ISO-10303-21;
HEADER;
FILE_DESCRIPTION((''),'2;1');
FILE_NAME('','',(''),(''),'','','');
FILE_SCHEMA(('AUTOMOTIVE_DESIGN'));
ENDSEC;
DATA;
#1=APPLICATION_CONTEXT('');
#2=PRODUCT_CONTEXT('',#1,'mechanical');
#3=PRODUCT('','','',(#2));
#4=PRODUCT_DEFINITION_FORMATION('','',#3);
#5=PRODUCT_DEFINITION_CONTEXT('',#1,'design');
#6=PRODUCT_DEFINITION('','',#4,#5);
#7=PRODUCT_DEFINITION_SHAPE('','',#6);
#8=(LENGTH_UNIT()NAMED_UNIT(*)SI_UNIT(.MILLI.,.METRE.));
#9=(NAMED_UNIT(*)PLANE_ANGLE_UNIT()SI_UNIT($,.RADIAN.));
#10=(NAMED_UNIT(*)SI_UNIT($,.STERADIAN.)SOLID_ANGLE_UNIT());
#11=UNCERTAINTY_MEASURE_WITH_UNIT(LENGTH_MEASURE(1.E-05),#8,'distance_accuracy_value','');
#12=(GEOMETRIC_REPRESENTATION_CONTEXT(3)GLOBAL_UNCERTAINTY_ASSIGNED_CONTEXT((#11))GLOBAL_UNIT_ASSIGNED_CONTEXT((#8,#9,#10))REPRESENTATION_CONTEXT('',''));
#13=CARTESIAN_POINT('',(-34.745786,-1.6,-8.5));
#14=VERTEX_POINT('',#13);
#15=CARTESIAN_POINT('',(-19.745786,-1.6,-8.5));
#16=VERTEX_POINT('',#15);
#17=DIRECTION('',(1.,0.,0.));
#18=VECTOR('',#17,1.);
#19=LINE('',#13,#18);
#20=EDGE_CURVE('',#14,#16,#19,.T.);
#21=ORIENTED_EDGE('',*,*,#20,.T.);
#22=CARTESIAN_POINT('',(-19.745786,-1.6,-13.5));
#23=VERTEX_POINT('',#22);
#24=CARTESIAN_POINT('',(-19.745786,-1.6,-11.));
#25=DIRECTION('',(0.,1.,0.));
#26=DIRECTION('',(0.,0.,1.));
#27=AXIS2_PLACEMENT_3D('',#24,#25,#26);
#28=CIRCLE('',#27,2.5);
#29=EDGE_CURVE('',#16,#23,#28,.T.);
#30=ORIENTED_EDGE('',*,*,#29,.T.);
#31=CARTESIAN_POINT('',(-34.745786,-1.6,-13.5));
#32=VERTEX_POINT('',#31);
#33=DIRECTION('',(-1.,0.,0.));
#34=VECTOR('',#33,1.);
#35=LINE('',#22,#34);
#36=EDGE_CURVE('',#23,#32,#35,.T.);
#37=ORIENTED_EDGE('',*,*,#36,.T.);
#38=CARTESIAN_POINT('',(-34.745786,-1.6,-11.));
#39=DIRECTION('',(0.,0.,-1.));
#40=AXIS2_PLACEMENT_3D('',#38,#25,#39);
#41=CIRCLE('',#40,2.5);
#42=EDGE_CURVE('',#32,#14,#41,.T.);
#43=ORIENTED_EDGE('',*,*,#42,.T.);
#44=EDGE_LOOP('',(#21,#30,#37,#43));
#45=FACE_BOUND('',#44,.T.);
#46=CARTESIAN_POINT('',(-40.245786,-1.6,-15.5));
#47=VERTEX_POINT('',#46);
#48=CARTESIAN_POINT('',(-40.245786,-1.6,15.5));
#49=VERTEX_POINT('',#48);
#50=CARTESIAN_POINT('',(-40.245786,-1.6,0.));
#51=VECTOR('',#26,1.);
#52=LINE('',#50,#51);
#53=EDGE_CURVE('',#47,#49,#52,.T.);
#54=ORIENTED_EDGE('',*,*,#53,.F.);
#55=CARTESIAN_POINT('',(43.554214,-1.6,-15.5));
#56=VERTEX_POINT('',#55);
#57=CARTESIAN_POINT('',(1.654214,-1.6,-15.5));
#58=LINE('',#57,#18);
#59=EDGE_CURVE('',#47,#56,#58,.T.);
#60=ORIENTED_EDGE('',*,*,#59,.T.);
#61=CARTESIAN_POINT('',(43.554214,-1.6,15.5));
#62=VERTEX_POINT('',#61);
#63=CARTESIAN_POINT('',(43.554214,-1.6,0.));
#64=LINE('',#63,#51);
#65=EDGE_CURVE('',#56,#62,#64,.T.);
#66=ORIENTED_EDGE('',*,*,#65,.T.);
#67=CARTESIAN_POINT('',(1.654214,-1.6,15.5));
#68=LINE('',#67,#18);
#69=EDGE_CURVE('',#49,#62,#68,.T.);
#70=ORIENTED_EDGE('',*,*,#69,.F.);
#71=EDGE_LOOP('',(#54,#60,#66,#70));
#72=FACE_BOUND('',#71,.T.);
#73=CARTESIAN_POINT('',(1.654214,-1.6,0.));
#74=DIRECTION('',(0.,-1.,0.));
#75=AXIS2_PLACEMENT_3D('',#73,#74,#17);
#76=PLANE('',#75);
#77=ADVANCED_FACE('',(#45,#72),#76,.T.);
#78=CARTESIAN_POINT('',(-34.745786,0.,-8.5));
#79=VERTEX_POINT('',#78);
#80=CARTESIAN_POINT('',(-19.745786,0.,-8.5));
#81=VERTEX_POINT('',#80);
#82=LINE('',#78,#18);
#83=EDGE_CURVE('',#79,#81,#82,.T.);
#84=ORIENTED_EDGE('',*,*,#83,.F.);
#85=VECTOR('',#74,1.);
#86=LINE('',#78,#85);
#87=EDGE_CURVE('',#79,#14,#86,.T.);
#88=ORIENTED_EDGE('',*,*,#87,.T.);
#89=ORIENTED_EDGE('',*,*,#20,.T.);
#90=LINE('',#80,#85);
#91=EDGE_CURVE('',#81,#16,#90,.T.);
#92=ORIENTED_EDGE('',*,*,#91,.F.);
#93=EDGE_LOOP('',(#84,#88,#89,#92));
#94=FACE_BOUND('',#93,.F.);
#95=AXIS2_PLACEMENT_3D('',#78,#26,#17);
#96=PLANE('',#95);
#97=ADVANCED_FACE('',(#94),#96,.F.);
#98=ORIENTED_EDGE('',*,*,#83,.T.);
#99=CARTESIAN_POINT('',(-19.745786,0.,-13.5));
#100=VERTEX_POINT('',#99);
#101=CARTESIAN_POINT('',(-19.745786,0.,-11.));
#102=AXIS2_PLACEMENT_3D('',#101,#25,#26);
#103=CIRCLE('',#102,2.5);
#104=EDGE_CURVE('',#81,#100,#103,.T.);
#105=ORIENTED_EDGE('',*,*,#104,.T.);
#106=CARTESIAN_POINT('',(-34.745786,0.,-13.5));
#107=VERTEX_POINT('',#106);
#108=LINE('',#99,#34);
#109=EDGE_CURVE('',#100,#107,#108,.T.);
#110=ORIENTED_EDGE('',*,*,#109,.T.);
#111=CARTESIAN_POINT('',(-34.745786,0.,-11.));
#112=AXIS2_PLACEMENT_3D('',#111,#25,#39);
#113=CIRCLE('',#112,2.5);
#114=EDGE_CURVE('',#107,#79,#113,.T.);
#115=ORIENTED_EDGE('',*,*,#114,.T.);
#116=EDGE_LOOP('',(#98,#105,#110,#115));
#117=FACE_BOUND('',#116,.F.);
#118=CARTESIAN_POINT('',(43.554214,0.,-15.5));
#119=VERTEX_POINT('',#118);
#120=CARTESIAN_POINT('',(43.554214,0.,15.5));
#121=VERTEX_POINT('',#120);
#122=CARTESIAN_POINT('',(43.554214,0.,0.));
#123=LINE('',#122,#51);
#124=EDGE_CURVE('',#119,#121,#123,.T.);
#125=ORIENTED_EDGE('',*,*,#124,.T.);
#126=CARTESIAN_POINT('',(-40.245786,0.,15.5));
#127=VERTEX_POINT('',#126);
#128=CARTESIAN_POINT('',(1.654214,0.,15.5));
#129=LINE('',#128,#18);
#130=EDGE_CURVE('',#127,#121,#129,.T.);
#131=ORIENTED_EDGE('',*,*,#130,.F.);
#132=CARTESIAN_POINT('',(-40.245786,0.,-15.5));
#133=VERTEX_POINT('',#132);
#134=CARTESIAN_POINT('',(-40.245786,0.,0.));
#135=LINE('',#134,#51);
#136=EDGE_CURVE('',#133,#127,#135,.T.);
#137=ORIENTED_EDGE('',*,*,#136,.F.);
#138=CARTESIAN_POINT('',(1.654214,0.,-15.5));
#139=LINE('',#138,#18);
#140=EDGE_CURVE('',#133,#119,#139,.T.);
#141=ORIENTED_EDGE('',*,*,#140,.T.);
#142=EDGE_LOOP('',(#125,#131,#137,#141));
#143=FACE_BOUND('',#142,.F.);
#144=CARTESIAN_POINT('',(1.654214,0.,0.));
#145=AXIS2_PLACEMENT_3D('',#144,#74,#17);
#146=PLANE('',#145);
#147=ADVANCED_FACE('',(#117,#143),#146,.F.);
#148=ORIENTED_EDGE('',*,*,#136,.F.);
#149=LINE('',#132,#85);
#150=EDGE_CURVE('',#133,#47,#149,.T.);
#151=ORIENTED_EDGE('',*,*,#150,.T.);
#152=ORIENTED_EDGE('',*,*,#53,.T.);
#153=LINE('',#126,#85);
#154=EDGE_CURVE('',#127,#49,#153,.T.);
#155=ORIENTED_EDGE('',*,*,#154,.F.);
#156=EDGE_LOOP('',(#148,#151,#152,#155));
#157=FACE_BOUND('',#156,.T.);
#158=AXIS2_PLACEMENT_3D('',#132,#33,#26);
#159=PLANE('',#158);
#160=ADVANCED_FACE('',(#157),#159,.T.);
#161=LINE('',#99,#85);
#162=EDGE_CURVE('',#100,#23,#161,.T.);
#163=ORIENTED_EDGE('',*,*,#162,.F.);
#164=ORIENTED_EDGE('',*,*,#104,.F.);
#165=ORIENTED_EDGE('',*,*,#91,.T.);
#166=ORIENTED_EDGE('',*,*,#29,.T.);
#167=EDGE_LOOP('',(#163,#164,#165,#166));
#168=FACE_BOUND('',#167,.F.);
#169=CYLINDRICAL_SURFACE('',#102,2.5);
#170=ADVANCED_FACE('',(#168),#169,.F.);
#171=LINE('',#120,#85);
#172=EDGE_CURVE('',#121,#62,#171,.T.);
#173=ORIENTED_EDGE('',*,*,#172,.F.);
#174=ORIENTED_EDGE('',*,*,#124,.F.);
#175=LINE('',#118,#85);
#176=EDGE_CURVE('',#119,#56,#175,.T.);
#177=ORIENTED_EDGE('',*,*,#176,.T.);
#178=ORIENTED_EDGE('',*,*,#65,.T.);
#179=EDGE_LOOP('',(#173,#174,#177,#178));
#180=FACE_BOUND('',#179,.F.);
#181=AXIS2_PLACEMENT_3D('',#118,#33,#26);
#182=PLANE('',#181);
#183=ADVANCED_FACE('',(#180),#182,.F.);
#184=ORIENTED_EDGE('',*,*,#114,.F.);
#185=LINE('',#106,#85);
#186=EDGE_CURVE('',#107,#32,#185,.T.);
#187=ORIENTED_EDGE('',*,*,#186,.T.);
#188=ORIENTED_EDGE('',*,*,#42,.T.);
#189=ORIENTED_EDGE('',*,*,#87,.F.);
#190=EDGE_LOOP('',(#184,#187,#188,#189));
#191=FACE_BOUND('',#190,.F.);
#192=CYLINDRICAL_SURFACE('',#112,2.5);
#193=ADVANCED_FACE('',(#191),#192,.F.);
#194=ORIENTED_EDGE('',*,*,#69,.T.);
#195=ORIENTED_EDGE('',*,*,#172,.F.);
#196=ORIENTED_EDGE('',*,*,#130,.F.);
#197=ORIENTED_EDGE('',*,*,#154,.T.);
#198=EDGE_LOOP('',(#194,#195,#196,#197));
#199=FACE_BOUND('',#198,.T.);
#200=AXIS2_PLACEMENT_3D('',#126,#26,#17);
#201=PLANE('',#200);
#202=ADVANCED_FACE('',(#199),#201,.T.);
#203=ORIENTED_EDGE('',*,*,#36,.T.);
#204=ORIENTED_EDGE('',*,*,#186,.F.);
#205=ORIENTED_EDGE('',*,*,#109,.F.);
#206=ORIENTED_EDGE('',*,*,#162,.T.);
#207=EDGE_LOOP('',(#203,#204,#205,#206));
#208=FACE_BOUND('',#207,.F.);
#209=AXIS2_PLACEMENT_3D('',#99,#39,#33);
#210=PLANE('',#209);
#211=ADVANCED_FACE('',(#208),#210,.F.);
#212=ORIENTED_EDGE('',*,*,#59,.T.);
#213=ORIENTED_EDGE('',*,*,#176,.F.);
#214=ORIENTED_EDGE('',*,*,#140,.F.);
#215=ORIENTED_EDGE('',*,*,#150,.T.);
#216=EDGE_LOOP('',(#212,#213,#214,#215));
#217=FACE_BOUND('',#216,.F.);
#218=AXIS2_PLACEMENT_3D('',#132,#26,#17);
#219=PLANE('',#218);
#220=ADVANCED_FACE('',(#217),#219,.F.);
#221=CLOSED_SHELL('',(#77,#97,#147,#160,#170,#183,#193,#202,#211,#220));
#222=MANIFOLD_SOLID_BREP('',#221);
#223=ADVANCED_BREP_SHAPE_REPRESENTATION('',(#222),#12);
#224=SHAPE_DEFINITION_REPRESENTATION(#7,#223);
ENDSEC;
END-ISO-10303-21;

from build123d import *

# Parameters (mm, degrees)
F0_W     = 83.8
F0_H     = 31
F1_DEPTH = 1.6


with BuildPart() as f1:
    # F0 (on Front) → F1 (new body)
    with BuildSketch(Plane.XZ):
        with Locations((1.654214, 0)):
            Rectangle(F0_W, F0_H)
        with BuildLine():
            ThreePointArc((-34.745786, -13.5), (-37.245786, -11), (-34.745786, -8.5))
            Line((-34.745786, -8.5), (-19.745786, -8.5))
            ThreePointArc((-19.745786, -8.5), (-17.245786, -11), (-19.745786, -13.5))
            Line((-19.745786, -13.5), (-34.745786, -13.5))
        make_face(mode=Mode.SUBTRACT)
    extrude(amount=F1_DEPTH)


solid = f1.part
